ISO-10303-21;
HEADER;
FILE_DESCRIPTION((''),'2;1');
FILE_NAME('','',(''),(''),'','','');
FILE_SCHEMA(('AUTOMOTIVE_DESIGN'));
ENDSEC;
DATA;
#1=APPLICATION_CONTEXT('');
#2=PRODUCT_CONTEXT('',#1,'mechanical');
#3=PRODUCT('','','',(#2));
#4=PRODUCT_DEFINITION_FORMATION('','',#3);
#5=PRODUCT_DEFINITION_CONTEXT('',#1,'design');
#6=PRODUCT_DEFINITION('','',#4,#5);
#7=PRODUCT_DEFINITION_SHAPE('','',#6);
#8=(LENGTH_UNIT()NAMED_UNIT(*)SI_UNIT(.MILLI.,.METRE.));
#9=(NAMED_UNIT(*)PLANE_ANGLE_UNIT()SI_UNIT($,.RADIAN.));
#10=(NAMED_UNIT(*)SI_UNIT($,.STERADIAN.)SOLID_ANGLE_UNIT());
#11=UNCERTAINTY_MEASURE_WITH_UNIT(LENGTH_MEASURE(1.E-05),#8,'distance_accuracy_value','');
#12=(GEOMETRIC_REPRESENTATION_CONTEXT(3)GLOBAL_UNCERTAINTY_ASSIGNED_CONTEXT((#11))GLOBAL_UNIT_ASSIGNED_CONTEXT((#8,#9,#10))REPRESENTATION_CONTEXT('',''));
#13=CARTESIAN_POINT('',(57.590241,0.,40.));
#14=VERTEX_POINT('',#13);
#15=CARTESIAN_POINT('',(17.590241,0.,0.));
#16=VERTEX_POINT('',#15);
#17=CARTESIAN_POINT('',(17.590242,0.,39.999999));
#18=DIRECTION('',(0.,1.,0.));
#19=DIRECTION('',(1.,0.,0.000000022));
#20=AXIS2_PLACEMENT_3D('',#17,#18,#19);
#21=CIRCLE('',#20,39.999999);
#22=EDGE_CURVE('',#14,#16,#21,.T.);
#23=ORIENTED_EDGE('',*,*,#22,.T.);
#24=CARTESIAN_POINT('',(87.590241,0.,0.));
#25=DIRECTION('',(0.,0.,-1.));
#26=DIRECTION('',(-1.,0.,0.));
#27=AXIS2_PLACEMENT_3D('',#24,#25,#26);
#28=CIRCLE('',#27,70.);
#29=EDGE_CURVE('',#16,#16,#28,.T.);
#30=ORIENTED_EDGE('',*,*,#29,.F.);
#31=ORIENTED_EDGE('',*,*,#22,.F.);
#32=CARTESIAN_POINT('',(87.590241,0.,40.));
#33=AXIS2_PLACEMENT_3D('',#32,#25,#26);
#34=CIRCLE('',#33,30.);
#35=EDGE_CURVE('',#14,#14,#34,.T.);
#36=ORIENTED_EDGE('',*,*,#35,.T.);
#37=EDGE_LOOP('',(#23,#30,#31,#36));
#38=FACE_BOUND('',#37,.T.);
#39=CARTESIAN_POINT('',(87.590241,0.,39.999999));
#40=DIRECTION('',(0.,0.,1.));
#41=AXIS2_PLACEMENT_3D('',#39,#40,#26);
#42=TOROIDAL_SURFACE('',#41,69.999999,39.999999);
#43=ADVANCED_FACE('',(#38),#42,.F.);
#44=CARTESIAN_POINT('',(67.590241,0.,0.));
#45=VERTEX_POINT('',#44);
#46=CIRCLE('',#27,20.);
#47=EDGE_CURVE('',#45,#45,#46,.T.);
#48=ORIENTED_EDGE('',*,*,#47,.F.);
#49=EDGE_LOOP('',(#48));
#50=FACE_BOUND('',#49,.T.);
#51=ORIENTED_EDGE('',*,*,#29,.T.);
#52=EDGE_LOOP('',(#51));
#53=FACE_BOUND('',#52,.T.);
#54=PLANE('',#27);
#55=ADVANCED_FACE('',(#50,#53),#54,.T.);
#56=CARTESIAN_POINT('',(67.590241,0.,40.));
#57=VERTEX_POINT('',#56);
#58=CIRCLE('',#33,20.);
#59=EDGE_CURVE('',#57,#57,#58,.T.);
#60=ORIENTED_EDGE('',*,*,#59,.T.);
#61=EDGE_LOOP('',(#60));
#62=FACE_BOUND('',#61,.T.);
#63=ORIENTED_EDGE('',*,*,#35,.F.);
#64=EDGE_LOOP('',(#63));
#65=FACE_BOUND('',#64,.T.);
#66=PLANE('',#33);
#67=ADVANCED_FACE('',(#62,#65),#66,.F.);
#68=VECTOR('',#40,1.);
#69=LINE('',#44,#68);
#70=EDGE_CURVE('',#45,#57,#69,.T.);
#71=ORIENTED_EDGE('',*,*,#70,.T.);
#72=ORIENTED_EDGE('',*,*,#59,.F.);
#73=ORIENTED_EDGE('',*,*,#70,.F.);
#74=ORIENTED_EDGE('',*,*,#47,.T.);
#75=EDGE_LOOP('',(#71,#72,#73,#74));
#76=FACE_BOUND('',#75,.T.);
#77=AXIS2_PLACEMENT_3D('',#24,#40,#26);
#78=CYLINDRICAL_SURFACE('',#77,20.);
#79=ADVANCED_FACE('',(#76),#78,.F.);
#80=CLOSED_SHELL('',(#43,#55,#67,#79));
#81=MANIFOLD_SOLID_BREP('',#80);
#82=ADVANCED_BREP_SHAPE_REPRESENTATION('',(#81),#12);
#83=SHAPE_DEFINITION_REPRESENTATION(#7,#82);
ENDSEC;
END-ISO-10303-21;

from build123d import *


with BuildPart() as f1:
    # F0 (on Front) → F1 (revolve)
    with BuildSketch(Plane.XZ):
        with BuildLine():
            Line((67.590241, 40), (57.590241, 40))
            ThreePointArc((57.590241, 40), (45.874513, 11.715729), (17.590241, 0))
            Line((17.590241, 0), (67.590241, 0))
            Line((67.590241, 0), (67.590241, 40))
        make_face()
    revolve(axis=Axis((87.590241, 0, 21.55929), (0, 0, -1)))


solid = f1.part
